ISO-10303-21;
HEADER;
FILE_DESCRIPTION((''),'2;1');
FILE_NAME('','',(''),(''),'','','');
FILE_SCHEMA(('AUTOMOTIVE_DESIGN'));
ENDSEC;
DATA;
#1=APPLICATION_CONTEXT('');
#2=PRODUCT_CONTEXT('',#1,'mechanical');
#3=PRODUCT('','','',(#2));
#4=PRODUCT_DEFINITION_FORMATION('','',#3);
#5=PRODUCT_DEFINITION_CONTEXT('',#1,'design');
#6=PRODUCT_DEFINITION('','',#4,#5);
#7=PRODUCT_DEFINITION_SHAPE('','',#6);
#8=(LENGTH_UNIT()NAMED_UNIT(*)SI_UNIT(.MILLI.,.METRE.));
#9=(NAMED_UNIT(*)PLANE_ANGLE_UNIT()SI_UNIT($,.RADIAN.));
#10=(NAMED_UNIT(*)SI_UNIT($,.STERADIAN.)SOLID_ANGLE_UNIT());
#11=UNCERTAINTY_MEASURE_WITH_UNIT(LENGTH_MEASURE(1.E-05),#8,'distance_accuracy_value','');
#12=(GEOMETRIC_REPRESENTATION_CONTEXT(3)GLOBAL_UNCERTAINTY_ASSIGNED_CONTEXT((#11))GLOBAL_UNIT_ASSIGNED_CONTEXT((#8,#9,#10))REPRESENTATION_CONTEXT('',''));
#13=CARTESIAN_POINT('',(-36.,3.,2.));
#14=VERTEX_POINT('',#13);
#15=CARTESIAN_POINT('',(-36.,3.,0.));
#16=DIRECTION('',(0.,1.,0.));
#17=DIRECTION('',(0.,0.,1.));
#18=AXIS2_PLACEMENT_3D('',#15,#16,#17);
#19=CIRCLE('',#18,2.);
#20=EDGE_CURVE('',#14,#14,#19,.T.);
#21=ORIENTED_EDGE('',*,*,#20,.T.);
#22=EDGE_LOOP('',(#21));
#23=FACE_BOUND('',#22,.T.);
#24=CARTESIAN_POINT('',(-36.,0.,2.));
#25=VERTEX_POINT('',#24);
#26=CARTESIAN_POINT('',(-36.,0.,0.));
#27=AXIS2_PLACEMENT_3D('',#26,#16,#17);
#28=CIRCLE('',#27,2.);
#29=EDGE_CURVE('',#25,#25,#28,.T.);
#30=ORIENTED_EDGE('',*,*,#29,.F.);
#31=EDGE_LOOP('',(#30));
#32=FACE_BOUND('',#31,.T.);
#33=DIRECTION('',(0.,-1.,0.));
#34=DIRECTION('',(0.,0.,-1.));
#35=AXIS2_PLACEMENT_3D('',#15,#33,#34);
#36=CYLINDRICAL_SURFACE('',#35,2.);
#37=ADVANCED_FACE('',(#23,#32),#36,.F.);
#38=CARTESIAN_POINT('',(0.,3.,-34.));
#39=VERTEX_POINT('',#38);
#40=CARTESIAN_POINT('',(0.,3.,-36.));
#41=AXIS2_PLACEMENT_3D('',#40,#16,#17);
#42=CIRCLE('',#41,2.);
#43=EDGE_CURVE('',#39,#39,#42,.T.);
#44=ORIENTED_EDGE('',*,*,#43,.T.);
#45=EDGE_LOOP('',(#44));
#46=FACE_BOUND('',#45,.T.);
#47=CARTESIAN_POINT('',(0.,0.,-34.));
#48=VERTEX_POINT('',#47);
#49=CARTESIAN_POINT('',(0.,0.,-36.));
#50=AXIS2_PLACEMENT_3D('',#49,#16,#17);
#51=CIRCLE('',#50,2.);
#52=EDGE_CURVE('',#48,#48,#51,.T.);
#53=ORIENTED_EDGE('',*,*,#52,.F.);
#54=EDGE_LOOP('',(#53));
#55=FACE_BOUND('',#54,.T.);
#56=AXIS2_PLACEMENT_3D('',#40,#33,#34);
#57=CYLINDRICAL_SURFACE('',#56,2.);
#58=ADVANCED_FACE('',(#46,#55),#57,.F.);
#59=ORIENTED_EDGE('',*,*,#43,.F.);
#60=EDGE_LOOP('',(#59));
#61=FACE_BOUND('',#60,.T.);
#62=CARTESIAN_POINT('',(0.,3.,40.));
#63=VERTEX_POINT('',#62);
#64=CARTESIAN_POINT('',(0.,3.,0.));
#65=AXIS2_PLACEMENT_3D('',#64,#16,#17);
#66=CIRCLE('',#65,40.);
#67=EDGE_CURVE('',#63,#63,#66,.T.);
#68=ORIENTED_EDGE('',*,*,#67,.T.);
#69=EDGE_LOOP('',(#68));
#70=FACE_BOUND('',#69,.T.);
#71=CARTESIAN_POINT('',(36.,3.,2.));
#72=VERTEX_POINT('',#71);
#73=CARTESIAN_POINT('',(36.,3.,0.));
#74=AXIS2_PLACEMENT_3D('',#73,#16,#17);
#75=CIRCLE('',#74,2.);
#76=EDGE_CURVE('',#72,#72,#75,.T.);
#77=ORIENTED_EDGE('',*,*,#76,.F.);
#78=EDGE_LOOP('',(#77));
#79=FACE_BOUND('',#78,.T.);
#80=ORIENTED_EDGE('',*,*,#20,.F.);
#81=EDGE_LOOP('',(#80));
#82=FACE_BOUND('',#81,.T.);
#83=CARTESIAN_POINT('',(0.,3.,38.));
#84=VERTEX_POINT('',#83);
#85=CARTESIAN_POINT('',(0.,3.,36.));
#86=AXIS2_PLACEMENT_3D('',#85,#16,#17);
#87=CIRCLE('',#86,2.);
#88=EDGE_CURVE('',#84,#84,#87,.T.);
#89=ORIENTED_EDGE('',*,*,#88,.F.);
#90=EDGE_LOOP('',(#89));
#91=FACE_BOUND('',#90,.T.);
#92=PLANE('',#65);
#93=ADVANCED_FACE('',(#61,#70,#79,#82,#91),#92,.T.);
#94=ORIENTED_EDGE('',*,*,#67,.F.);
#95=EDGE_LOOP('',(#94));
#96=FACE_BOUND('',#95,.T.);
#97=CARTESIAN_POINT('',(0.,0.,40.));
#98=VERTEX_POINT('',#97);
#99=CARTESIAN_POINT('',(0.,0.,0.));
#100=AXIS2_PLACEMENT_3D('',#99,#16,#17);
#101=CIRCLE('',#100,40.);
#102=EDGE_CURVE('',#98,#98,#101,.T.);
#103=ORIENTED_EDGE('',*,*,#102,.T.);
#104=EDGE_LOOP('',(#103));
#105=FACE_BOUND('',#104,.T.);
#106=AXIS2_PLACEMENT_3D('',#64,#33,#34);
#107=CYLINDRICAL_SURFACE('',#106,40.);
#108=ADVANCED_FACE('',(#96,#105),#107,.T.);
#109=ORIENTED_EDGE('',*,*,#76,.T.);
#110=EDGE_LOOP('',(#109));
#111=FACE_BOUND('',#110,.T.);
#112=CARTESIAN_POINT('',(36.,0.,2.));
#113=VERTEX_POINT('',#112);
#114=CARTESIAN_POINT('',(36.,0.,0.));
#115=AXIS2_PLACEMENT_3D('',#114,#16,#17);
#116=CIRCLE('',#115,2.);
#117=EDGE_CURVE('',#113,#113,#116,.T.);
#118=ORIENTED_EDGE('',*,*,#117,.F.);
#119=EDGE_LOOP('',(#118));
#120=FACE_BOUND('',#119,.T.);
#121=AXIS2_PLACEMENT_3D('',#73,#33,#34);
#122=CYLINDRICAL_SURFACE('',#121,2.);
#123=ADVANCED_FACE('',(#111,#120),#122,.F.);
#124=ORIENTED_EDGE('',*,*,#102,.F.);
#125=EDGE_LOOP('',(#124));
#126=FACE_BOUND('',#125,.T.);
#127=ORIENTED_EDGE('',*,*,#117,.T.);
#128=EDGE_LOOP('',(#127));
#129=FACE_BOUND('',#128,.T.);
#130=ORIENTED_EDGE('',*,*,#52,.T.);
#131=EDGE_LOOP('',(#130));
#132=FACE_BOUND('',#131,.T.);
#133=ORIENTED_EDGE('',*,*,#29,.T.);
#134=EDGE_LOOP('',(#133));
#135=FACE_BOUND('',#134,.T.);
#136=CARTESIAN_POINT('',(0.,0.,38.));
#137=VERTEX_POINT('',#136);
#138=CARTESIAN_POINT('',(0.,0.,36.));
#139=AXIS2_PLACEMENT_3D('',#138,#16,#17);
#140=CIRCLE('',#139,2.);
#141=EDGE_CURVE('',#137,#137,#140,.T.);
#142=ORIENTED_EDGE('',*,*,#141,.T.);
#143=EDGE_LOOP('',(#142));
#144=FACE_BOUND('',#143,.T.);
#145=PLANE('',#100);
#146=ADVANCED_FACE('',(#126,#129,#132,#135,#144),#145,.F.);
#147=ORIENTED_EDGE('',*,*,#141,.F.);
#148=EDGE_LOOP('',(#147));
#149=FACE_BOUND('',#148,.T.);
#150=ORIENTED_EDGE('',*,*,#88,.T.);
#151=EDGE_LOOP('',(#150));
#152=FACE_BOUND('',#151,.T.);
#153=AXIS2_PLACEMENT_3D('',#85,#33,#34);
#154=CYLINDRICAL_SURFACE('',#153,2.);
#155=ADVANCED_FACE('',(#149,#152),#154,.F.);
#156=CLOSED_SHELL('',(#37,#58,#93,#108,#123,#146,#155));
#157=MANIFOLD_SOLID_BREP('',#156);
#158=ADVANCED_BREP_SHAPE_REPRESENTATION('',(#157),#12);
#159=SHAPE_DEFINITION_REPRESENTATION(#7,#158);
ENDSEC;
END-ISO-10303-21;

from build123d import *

# Parameters (mm, degrees)
SKETCH2_R           = 40
SKETCH2_R_2         = 2
BOSS_EXTRUDE1_DEPTH = 3


with BuildPart() as part:
    # Sketch2 → Boss-Extrude1 (new body)
    with BuildSketch(Plane(origin=(0, 0, 0), x_dir=(1, 0, 0), z_dir=(0, 1, 0))):
        with Locations(Location((0, 0, 0), (0, 0, 270))):
            Circle(SKETCH2_R)
        with Locations(Location((0, 36, 0), (0, 0, 270))):
            Circle(SKETCH2_R_2, mode=Mode.SUBTRACT)
        with Locations(Location((36, 0, 0), (0, 0, 270))):
            Circle(SKETCH2_R_2, mode=Mode.SUBTRACT)
        with Locations(Location((0, -36, 0), (0, 0, 270))):
            Circle(SKETCH2_R_2, mode=Mode.SUBTRACT)
        with Locations(Location((-36, 0, 0), (0, 0, 270))):
            Circle(SKETCH2_R_2, mode=Mode.SUBTRACT)
    extrude(amount=BOSS_EXTRUDE1_DEPTH)


solid = part.part
